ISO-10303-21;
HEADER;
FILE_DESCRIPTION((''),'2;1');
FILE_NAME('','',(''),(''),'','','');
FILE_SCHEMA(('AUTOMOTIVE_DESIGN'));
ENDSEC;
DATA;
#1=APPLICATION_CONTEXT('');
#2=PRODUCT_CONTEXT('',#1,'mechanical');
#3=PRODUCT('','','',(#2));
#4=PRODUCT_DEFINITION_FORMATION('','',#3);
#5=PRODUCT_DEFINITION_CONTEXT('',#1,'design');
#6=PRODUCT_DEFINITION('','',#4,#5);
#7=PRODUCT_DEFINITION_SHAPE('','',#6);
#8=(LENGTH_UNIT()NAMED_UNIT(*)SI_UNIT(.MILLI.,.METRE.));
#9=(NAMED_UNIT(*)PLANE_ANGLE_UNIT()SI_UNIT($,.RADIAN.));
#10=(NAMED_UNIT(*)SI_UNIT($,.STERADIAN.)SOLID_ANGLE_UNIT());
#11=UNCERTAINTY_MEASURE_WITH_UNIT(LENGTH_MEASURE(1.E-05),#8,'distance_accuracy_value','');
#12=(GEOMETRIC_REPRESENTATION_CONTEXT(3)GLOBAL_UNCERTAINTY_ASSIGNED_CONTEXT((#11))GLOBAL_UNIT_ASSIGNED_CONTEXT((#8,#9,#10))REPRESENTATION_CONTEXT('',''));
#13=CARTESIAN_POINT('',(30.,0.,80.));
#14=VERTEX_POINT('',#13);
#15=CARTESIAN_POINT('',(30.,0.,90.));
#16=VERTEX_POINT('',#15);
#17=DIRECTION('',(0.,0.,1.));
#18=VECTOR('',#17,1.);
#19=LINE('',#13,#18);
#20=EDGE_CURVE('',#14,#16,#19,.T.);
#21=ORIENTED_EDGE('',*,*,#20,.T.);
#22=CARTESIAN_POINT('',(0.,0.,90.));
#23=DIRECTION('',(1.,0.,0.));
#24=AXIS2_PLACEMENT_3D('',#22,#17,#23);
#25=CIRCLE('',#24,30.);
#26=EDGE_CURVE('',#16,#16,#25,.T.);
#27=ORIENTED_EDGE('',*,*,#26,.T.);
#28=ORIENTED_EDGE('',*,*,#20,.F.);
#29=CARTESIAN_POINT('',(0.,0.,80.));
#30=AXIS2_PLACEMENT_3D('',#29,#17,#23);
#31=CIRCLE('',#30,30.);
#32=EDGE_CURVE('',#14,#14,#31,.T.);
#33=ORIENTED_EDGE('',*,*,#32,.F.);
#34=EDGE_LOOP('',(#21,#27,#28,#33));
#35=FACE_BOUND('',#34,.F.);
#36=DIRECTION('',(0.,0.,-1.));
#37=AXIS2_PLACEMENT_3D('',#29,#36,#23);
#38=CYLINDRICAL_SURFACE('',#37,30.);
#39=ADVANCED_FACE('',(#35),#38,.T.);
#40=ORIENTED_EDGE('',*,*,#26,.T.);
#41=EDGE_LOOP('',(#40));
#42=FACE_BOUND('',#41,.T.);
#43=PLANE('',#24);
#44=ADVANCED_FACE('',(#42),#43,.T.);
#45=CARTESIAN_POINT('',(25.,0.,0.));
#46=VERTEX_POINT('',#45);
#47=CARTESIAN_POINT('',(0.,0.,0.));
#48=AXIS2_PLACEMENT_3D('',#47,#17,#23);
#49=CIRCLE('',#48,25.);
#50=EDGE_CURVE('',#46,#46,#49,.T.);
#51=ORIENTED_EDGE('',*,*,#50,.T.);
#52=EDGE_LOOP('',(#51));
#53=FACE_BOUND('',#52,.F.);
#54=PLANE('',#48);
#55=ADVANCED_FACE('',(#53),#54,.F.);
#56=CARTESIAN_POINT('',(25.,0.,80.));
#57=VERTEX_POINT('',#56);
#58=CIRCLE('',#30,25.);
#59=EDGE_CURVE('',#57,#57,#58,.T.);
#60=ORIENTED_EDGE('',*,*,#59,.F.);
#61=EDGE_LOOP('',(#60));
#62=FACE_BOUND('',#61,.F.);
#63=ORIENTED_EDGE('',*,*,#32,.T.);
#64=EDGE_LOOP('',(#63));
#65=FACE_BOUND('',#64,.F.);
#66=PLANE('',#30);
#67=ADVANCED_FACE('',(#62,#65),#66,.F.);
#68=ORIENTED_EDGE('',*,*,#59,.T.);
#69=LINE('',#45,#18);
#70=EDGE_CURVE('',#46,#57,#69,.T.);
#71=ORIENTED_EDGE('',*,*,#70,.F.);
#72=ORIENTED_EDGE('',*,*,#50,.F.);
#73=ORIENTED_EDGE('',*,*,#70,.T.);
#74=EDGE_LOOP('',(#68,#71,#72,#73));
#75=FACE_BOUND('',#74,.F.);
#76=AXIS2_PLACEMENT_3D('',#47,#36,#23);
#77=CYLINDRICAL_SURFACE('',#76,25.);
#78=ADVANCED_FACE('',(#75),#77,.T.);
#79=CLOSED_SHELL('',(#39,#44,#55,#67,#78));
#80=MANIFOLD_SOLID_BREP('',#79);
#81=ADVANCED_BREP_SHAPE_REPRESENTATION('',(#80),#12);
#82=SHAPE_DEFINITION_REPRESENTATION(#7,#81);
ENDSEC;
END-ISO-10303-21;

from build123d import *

# Parameters (mm, degrees)
SKETCH_R     = 25
PAD_DEPTH    = 80
SKETCH001_R  = 30
PAD001_DEPTH = 10


with BuildPart() as part:
    # Sketch → Pad (new body)
    with BuildSketch(Plane.XY):
        Circle(SKETCH_R)
    extrude(amount=PAD_DEPTH)

    # Sketch001 (on Face3 of Pad) → Pad001 (join)
    with BuildSketch(Plane.XY.offset(80)):
        Circle(SKETCH001_R)
    extrude(amount=PAD001_DEPTH)


solid = part.part
